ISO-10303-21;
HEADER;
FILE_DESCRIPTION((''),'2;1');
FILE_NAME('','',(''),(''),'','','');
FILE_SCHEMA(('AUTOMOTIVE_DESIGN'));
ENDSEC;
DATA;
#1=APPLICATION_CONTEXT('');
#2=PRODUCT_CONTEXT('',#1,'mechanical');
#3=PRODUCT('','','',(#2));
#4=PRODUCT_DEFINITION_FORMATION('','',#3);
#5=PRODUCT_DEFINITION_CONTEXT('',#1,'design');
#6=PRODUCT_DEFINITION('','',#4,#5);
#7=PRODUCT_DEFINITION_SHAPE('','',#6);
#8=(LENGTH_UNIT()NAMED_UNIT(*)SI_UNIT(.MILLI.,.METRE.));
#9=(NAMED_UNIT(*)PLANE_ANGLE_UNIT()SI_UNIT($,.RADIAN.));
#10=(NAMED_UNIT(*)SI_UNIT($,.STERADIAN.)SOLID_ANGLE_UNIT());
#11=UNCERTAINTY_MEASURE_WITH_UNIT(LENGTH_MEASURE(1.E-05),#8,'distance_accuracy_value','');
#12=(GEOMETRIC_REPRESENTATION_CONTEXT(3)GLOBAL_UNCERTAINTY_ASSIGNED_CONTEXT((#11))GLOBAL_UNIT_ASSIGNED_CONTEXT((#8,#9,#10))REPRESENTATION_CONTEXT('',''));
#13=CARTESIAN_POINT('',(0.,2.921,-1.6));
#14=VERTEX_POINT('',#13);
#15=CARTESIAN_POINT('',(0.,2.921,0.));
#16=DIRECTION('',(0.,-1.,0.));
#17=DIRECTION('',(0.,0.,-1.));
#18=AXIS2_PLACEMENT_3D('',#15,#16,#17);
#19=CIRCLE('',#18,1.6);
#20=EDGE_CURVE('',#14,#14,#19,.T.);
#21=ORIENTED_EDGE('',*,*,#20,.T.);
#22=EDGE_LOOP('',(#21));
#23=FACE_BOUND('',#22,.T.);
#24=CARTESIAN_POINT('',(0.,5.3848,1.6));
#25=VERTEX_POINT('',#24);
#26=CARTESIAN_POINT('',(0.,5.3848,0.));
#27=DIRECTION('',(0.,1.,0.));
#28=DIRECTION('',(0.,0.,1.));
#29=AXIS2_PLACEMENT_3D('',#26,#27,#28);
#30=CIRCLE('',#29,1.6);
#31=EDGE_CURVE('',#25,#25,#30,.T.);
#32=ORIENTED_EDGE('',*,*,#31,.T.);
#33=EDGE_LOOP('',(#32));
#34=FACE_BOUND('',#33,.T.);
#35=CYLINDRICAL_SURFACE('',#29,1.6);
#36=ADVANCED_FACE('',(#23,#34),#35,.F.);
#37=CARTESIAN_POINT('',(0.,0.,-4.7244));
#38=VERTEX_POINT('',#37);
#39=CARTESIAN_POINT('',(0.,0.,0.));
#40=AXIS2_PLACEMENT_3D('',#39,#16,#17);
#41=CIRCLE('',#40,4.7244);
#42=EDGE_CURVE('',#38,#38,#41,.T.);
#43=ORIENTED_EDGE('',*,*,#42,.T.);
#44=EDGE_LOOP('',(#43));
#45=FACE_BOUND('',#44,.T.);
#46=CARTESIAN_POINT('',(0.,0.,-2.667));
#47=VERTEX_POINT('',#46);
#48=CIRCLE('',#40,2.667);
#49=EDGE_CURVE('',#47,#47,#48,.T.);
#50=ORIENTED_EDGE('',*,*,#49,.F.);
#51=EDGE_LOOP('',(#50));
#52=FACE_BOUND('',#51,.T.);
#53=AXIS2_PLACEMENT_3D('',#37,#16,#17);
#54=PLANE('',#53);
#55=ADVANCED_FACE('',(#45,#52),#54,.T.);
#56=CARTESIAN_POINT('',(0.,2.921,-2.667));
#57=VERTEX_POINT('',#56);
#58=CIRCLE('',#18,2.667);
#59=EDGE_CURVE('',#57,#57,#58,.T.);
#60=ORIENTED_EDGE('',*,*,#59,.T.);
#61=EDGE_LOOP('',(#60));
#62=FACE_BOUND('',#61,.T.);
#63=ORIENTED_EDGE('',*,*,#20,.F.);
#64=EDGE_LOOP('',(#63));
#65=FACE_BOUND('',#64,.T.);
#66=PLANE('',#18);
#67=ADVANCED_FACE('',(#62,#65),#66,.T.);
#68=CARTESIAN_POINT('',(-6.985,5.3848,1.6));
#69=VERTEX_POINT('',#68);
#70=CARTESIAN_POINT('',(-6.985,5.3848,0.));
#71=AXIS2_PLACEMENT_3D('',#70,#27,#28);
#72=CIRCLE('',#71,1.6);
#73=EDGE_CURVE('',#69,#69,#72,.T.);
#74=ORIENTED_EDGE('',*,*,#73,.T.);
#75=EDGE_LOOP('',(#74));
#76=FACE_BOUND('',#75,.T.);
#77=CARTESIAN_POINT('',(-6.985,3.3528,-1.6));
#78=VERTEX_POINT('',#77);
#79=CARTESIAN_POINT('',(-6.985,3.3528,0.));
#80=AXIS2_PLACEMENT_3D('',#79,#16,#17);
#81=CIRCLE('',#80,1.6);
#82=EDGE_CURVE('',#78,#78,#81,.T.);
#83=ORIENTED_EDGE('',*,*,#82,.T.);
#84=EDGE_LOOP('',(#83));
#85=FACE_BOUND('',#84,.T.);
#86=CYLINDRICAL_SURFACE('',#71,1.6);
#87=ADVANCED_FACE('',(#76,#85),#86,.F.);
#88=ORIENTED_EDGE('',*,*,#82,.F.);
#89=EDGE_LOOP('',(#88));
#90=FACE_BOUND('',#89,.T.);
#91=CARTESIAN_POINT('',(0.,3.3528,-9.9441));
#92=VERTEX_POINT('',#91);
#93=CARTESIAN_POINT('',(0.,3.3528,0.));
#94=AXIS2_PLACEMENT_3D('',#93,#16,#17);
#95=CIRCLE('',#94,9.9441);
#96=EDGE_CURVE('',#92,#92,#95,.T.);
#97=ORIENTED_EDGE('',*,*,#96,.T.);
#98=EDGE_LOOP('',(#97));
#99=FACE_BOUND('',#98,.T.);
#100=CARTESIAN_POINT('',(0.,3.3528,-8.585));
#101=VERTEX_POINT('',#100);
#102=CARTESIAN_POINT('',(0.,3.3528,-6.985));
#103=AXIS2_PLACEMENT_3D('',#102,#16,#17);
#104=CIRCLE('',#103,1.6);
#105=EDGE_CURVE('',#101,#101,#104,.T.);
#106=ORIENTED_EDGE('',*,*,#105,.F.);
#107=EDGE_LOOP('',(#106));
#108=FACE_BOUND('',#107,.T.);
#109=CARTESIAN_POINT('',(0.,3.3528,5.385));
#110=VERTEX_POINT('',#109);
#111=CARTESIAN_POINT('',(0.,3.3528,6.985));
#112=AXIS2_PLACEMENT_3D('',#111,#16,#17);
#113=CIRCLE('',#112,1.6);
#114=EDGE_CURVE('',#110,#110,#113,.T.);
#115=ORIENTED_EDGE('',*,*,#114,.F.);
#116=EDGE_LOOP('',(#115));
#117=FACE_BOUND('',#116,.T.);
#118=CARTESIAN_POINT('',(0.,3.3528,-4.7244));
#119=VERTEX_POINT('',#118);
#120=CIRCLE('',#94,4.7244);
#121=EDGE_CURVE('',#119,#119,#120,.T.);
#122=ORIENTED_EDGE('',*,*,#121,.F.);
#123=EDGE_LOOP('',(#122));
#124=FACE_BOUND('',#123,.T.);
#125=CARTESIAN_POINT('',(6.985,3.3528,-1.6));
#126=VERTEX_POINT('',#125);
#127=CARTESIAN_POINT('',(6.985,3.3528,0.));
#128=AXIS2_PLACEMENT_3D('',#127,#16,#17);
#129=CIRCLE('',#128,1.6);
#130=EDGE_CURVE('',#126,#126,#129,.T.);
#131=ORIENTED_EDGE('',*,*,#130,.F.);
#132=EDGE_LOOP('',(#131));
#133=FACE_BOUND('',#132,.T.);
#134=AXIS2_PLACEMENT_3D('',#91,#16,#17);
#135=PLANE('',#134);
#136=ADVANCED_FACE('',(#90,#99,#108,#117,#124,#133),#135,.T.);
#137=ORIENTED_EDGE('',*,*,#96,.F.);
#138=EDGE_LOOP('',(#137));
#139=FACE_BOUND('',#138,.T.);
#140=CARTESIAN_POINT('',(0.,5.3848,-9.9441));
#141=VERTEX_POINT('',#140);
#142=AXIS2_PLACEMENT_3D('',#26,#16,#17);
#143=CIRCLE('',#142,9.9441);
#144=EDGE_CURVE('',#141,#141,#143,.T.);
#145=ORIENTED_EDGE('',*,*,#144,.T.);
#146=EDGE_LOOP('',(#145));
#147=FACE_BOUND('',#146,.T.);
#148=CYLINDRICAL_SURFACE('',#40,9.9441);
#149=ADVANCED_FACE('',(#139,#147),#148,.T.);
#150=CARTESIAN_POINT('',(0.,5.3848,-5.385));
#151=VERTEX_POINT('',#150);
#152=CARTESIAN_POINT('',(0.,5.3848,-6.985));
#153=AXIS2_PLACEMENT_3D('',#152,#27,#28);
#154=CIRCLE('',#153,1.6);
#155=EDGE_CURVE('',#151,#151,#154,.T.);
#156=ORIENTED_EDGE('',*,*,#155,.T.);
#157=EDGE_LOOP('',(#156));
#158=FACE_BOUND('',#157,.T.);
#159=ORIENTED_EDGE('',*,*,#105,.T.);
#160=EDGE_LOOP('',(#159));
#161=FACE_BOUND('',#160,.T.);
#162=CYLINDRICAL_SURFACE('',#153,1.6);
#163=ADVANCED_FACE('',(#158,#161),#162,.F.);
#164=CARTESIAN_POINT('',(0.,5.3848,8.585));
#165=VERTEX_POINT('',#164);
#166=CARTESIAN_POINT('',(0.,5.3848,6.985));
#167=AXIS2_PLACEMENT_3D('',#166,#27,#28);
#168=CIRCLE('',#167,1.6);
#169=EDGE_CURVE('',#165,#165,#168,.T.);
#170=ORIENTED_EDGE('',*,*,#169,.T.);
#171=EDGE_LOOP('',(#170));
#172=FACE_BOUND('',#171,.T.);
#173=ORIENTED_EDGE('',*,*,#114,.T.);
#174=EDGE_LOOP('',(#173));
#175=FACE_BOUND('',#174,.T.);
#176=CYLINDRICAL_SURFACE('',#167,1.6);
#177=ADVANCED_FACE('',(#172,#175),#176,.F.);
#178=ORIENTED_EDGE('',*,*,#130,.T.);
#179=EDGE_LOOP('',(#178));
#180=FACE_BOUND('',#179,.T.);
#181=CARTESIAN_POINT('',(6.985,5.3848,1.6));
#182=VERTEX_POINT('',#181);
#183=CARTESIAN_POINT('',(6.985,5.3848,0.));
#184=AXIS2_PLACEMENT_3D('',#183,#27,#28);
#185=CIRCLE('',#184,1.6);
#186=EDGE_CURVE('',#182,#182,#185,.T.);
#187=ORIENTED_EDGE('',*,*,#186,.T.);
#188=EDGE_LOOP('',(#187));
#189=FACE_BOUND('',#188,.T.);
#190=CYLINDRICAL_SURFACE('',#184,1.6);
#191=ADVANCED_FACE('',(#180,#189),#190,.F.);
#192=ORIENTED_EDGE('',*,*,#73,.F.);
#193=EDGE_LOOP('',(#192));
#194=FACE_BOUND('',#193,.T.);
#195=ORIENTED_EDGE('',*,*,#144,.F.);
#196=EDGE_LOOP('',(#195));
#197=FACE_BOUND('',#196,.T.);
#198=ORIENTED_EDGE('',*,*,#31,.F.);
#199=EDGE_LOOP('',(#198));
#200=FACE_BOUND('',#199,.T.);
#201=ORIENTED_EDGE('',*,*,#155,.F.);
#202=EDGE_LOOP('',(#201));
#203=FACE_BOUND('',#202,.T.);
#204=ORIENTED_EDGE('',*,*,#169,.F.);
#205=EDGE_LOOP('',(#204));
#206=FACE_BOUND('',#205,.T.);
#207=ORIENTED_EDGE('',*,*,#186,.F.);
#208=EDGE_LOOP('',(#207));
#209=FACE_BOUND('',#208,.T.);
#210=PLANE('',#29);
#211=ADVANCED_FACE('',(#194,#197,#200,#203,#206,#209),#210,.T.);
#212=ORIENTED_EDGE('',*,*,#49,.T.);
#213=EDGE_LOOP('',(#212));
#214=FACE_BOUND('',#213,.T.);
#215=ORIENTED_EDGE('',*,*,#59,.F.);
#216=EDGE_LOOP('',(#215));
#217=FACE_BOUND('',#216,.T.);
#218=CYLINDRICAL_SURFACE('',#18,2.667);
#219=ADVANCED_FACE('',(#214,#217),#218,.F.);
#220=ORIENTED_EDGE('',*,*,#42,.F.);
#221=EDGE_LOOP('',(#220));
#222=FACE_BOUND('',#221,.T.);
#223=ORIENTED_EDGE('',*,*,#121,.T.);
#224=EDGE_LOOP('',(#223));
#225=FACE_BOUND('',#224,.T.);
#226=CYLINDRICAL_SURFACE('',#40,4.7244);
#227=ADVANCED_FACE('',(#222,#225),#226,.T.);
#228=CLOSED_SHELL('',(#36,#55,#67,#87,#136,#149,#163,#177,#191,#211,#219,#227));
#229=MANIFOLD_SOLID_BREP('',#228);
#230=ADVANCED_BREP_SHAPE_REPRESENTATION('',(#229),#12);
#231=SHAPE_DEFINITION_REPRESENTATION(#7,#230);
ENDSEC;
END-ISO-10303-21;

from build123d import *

# Parameters (mm, degrees)
SKETCH4_R            = 2.667
CUT_EXTRUDE2_DEPTH   = 2.921
M3_CLEARANCE_HOLE1_D = 3.2


with BuildPart() as part:
    # Sketch1 → Revolve1 (revolve)
    with BuildSketch(Plane(origin=(0, 0, 0), x_dir=(0, 0, -1), z_dir=(1, 0, 0))):
        Polygon((0, 5.3848), (9.9441, 5.3848), (9.9441, 3.3528), (4.7244, 3.3528), (4.7244, 0), (0, 0), align=None)
    revolve(axis=Axis((0, 0, 0), (0, 1, 0)))

    # Sketch4 → Cut-Extrude2 (cut)
    with BuildSketch(Plane.XZ):
        with Locations(Location((0, 0, 0), (0, 0, 270))):
            Circle(SKETCH4_R)
    extrude(amount=-CUT_EXTRUDE2_DEPTH, mode=Mode.SUBTRACT)

    # M3 Clearance Hole1 (through all)
    with Locations(Plane(origin=(0, 5.3848, 0), x_dir=(1, 0, 0), z_dir=(0, 1, 0))):
        with Locations((-6.985, 0), (0, 0), (6.985, 0), (0, 6.985), (0, -6.985)):
            Hole(M3_CLEARANCE_HOLE1_D / 2)


solid = part.part
